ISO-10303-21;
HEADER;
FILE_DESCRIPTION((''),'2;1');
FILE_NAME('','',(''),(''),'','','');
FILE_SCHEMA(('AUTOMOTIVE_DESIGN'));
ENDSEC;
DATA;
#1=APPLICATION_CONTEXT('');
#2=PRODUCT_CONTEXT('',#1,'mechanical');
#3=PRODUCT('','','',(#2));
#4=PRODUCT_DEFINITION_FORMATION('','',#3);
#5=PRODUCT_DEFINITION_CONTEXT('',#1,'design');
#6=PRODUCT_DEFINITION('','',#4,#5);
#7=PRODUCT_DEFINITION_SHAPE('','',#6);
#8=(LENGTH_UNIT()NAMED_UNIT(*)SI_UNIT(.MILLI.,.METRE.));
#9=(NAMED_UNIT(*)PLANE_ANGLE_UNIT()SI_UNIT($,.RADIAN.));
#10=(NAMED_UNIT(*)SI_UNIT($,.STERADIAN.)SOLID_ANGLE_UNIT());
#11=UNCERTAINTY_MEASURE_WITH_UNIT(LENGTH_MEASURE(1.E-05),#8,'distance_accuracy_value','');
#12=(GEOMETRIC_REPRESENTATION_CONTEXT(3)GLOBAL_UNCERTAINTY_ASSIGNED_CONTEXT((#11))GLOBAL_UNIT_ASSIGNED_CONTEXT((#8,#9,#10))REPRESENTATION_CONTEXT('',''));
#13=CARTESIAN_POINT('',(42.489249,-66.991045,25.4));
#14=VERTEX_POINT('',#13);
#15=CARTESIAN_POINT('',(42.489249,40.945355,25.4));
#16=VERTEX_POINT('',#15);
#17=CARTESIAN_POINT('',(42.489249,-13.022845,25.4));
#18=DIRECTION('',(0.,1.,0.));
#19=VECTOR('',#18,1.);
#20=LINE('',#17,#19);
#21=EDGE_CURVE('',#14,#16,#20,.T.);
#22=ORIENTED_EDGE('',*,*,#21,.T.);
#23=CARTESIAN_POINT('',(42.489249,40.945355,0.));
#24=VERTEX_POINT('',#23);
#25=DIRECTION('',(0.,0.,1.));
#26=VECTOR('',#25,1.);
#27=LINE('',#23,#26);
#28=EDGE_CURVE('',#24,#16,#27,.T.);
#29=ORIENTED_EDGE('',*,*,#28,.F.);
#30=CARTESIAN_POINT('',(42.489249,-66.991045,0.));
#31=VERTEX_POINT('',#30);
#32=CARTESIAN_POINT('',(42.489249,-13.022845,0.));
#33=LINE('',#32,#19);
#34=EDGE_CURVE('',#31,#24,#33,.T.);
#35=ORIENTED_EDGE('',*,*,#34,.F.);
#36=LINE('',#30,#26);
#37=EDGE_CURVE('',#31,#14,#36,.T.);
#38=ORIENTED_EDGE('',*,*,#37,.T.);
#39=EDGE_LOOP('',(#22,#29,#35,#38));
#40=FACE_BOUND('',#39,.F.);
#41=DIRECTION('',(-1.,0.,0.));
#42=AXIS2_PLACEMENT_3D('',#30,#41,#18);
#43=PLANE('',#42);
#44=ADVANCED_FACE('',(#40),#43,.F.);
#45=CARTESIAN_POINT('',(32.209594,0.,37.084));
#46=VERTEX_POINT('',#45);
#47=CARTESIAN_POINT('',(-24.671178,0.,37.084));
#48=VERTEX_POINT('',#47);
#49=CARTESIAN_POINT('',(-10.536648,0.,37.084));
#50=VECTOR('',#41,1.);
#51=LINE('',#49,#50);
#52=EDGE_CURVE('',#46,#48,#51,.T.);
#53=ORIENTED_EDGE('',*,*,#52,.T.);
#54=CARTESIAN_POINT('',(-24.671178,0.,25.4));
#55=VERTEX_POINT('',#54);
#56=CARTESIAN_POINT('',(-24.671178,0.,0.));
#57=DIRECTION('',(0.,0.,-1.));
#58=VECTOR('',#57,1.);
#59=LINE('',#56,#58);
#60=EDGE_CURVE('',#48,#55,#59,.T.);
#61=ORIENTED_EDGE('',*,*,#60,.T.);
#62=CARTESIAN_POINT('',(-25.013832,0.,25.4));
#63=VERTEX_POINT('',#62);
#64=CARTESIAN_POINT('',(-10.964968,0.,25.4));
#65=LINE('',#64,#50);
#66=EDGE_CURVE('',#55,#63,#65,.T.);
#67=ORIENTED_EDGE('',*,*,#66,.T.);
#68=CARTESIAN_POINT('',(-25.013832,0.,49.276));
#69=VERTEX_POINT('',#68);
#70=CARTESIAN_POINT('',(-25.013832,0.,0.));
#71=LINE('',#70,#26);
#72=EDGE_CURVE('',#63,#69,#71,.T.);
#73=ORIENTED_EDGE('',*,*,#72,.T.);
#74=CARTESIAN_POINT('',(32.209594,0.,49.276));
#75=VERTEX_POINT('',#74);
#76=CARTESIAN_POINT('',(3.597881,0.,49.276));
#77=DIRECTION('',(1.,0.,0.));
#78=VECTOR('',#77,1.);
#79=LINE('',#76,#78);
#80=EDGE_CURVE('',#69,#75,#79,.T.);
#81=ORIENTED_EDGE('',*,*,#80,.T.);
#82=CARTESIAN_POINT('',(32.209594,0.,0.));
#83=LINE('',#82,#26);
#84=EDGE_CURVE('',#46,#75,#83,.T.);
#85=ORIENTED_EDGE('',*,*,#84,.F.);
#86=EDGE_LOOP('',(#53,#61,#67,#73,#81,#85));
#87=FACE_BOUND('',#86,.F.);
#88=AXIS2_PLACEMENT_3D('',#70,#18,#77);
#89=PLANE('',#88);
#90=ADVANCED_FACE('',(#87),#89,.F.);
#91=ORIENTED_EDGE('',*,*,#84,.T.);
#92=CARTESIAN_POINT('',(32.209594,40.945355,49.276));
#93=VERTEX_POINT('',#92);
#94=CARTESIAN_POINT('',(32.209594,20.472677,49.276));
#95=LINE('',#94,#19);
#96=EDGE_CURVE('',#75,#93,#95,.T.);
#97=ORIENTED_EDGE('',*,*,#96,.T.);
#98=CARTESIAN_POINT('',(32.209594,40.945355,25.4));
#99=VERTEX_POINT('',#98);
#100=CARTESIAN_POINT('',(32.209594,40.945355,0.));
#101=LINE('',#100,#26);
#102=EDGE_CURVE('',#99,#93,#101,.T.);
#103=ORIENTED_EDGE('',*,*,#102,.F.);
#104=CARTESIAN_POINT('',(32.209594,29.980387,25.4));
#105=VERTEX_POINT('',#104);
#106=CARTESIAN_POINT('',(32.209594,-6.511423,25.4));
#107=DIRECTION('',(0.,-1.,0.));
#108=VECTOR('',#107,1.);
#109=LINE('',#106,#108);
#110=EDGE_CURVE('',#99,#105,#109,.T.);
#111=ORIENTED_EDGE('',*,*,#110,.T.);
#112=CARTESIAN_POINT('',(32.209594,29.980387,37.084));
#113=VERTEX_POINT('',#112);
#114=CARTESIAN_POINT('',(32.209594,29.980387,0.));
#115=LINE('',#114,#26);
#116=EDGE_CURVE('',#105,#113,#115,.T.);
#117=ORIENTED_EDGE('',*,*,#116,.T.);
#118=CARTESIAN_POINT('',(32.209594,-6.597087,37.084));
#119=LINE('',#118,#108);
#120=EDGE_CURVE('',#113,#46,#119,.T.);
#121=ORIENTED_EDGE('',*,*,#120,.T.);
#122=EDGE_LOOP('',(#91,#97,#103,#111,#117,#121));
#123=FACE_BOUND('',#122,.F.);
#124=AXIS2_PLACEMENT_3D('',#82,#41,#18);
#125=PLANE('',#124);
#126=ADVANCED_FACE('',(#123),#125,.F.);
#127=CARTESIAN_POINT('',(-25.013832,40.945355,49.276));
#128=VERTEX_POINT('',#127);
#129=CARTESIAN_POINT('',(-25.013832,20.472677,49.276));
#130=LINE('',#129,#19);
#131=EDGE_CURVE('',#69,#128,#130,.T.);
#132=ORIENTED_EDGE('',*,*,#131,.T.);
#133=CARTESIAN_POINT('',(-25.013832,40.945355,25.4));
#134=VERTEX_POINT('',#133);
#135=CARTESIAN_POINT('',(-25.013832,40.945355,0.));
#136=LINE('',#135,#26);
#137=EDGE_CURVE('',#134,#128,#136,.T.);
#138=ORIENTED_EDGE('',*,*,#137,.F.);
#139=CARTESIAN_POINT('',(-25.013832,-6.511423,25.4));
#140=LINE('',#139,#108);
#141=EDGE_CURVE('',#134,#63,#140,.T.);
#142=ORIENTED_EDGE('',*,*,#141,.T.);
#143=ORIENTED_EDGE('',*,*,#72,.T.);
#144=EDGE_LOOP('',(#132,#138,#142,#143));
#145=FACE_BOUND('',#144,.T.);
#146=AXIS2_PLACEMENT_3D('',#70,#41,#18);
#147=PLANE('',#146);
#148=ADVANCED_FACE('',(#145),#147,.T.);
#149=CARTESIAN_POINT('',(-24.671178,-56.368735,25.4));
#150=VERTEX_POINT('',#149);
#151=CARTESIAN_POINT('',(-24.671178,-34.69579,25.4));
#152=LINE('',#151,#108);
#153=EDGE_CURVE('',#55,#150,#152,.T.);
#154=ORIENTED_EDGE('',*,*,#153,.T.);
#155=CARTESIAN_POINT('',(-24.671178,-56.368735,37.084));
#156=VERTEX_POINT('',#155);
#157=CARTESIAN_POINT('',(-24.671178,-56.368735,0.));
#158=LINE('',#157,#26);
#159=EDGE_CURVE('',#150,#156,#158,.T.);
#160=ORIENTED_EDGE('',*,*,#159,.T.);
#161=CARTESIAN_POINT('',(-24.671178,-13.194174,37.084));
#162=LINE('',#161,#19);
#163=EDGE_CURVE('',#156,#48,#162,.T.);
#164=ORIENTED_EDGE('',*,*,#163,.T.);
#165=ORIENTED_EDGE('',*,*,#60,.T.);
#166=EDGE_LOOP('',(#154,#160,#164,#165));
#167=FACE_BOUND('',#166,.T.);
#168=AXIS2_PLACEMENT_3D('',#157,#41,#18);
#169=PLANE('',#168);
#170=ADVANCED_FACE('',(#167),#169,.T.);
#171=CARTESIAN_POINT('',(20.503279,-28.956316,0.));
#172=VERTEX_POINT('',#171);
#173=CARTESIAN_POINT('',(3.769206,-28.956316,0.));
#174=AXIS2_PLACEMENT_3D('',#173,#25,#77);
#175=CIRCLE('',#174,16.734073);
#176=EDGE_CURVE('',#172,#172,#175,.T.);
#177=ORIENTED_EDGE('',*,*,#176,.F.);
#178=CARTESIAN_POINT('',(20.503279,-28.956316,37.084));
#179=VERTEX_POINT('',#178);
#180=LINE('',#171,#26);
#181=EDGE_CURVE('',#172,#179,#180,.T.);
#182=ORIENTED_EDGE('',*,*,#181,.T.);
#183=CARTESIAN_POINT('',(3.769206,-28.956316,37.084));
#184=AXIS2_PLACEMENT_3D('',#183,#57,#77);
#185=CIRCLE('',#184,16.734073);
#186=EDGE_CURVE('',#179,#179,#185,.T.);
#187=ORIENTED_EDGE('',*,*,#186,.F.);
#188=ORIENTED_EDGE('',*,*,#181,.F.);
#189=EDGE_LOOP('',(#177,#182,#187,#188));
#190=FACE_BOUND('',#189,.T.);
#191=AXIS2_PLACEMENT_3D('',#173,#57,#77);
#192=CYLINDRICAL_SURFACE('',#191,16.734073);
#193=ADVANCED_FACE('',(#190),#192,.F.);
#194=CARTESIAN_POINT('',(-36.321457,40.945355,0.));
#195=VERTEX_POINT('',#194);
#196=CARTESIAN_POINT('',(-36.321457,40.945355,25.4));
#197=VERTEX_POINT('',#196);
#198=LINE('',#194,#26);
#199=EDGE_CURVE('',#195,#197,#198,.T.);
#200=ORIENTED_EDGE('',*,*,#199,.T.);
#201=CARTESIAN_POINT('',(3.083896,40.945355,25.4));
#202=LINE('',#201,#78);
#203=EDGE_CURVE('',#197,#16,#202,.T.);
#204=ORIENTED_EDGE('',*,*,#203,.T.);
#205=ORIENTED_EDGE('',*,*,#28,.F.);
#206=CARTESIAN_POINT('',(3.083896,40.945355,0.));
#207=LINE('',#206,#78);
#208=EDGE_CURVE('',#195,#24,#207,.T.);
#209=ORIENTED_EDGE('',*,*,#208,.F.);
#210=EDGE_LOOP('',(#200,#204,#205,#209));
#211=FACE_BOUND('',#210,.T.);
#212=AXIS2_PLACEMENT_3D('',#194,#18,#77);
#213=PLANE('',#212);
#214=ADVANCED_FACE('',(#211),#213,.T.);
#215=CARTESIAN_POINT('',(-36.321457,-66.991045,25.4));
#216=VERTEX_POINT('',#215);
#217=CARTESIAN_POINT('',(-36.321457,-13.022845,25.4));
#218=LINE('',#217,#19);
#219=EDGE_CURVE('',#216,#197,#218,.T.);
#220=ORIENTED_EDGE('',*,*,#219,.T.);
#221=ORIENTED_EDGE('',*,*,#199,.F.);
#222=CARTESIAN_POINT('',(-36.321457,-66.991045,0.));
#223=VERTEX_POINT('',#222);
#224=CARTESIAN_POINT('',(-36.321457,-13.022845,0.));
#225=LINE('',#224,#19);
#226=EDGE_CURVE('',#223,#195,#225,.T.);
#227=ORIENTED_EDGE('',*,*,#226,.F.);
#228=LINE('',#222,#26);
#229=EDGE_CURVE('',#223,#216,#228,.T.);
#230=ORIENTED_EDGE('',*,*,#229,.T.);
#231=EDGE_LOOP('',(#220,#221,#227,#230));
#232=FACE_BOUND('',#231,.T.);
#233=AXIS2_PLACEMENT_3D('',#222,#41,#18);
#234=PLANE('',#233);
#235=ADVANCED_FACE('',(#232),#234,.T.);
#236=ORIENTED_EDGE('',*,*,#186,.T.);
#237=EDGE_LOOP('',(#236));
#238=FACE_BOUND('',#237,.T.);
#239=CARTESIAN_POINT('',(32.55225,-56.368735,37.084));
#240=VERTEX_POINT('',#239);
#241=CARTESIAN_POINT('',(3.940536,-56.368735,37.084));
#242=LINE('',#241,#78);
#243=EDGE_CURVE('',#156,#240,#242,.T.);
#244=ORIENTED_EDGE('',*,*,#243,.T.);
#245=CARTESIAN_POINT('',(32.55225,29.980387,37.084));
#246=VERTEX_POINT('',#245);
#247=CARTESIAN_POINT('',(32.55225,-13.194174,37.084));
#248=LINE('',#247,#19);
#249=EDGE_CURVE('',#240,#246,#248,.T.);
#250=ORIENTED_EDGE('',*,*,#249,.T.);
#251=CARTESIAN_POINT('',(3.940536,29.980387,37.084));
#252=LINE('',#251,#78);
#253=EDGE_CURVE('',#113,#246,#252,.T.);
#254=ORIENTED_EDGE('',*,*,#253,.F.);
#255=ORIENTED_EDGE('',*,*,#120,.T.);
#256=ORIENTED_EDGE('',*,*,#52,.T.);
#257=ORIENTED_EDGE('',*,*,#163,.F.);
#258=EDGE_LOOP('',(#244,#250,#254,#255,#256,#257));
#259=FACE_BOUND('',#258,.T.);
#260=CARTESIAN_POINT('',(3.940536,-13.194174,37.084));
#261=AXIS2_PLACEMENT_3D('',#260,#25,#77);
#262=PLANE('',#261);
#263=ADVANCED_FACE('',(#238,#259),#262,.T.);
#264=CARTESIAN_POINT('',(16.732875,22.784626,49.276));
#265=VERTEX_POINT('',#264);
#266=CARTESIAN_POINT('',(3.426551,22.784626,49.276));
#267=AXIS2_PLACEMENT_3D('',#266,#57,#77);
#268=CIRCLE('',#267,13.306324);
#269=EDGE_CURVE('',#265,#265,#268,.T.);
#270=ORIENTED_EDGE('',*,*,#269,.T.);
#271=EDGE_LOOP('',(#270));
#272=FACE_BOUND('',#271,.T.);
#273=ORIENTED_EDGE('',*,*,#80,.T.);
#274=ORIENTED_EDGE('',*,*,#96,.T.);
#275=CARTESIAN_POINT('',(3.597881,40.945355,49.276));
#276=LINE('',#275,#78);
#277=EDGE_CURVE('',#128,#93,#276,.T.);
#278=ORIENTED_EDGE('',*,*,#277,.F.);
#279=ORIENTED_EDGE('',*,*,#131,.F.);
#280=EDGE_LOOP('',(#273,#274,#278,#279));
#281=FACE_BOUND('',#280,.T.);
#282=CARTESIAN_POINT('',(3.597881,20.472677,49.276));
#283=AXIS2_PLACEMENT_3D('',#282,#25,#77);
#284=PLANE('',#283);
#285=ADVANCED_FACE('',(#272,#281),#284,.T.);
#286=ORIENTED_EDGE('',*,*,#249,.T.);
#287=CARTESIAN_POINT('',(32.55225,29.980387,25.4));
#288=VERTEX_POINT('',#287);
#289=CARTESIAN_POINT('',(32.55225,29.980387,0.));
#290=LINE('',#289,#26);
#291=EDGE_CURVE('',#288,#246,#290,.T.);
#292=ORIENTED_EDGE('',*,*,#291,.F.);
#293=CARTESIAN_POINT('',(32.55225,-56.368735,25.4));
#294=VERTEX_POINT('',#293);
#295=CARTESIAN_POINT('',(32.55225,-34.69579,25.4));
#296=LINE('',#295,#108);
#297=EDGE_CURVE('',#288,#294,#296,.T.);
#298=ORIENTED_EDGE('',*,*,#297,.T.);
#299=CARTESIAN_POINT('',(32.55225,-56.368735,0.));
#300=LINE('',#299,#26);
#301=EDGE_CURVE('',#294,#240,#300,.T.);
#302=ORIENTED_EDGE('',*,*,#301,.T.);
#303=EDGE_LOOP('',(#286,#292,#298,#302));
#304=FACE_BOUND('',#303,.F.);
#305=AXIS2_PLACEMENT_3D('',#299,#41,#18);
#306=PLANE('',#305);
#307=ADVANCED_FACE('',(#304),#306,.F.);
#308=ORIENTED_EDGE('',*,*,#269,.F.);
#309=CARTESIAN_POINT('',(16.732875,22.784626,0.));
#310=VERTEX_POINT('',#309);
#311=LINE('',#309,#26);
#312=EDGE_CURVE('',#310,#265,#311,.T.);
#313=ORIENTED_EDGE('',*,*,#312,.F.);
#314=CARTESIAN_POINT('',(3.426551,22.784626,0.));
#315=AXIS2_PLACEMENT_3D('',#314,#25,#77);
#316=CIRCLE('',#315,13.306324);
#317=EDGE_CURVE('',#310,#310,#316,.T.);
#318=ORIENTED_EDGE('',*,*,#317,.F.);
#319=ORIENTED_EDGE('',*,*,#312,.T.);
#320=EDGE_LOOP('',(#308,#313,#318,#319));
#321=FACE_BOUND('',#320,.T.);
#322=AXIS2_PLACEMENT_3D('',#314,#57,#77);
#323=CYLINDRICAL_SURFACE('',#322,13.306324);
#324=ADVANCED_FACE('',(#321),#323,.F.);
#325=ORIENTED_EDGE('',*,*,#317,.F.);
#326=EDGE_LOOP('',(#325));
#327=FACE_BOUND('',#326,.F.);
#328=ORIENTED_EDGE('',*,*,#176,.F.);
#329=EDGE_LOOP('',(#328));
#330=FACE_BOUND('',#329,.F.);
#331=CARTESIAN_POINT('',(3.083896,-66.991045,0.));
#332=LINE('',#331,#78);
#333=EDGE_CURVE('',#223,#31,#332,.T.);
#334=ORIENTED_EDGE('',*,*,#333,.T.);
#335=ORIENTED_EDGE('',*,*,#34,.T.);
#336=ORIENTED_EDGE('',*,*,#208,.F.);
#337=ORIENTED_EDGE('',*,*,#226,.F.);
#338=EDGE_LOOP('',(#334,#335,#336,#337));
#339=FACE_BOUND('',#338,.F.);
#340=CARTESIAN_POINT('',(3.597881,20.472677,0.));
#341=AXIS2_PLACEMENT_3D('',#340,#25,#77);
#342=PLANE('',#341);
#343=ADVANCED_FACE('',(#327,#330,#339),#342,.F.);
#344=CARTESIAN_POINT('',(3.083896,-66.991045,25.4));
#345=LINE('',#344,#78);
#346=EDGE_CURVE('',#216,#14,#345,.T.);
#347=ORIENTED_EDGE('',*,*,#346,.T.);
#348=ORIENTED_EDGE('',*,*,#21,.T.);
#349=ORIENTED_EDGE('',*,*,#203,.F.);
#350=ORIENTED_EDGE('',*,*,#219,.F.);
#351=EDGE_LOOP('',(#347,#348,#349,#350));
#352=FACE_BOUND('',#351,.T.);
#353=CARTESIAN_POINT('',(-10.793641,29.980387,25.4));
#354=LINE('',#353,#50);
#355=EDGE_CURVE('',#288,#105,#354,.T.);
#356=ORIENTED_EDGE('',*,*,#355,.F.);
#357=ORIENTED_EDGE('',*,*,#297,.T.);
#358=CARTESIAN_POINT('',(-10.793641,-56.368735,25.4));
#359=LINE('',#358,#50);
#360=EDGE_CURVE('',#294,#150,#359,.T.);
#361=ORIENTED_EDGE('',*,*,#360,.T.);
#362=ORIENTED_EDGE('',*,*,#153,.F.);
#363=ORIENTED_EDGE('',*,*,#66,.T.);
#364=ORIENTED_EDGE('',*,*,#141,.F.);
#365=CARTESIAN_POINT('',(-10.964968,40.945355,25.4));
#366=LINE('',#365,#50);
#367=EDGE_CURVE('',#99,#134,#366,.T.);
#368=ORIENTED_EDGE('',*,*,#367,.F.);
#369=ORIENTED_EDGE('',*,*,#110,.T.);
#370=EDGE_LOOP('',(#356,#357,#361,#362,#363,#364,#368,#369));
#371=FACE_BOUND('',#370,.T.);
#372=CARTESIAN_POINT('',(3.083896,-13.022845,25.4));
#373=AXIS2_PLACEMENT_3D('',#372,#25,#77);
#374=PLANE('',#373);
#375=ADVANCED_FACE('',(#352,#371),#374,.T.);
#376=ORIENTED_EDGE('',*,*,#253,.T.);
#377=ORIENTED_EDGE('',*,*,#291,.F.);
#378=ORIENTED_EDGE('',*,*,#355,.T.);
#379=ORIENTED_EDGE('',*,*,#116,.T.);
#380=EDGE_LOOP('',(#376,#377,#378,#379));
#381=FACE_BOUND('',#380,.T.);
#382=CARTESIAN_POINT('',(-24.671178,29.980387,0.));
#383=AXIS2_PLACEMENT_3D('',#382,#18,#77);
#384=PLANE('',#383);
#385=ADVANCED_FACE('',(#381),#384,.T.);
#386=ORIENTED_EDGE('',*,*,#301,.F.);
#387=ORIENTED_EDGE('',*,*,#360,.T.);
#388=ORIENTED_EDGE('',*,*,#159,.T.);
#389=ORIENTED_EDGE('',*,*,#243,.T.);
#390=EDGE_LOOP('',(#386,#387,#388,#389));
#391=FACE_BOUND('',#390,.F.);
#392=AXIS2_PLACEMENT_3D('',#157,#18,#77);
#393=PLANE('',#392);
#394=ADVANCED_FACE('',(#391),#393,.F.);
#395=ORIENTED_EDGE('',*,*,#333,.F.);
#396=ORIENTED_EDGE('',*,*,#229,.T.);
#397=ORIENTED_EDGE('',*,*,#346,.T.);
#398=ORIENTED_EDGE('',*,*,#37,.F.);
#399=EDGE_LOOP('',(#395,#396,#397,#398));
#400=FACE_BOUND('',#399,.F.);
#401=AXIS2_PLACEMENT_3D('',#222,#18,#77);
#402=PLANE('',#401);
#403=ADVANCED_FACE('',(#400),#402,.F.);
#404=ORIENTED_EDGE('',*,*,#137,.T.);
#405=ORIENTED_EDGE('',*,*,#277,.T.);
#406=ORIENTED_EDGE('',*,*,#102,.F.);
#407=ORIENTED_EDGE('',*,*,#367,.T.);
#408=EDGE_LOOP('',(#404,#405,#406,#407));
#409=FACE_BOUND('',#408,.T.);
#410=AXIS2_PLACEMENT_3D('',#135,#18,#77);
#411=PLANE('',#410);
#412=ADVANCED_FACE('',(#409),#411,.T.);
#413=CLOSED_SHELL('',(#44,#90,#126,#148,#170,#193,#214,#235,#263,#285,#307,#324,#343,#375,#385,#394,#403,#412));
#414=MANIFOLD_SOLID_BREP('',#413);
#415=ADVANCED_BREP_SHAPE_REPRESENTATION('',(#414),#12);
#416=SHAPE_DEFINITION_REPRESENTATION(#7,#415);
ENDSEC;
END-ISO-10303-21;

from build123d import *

# Parameters (mm, degrees)
F0_W     = 78.810706
F0_H     = 107.936401
F1_DEPTH = 25.4
F2_W     = 57.223428
F2_H     = 86.349123
F3_DEPTH = 37.084
F4_W     = 57.223426
F4_H     = 40.945355
F5_DEPTH = 49.276
F6_R     = 13.306324
F8_DEPTH = 92.456
F7_R     = 16.734073
F9_DEPTH = 76.962


with BuildPart() as f1:
    # F0 (on Top) → F1 (new body)
    with BuildSketch(Plane.XY):
        with Locations((3.083896, -13.022845)):
            Rectangle(F0_W, F0_H)
    extrude(amount=F1_DEPTH)

    # F2 (on Top) → F3 (join)
    with BuildSketch(Plane.XY):
        with Locations((3.940536, -13.194174)):
            Rectangle(F2_W, F2_H)
    extrude(amount=F3_DEPTH)

    # F4 (on Top) → F5 (join)
    with BuildSketch(Plane.XY):
        with Locations((3.597881, 20.472677)):
            Rectangle(F4_W, F4_H)
    extrude(amount=F5_DEPTH)

    # F6 (on Top) → F8 (cut)
    with BuildSketch(Plane.XY):
        with Locations((3.426551, 22.784626)):
            Circle(F6_R)
    extrude(amount=F8_DEPTH, mode=Mode.SUBTRACT)

    # F7 (on Top) → F9 (cut)
    with BuildSketch(Plane.XY):
        with Locations((3.769206, -28.956316)):
            Circle(F7_R)
    extrude(amount=F9_DEPTH, mode=Mode.SUBTRACT)


solid = f1.part
